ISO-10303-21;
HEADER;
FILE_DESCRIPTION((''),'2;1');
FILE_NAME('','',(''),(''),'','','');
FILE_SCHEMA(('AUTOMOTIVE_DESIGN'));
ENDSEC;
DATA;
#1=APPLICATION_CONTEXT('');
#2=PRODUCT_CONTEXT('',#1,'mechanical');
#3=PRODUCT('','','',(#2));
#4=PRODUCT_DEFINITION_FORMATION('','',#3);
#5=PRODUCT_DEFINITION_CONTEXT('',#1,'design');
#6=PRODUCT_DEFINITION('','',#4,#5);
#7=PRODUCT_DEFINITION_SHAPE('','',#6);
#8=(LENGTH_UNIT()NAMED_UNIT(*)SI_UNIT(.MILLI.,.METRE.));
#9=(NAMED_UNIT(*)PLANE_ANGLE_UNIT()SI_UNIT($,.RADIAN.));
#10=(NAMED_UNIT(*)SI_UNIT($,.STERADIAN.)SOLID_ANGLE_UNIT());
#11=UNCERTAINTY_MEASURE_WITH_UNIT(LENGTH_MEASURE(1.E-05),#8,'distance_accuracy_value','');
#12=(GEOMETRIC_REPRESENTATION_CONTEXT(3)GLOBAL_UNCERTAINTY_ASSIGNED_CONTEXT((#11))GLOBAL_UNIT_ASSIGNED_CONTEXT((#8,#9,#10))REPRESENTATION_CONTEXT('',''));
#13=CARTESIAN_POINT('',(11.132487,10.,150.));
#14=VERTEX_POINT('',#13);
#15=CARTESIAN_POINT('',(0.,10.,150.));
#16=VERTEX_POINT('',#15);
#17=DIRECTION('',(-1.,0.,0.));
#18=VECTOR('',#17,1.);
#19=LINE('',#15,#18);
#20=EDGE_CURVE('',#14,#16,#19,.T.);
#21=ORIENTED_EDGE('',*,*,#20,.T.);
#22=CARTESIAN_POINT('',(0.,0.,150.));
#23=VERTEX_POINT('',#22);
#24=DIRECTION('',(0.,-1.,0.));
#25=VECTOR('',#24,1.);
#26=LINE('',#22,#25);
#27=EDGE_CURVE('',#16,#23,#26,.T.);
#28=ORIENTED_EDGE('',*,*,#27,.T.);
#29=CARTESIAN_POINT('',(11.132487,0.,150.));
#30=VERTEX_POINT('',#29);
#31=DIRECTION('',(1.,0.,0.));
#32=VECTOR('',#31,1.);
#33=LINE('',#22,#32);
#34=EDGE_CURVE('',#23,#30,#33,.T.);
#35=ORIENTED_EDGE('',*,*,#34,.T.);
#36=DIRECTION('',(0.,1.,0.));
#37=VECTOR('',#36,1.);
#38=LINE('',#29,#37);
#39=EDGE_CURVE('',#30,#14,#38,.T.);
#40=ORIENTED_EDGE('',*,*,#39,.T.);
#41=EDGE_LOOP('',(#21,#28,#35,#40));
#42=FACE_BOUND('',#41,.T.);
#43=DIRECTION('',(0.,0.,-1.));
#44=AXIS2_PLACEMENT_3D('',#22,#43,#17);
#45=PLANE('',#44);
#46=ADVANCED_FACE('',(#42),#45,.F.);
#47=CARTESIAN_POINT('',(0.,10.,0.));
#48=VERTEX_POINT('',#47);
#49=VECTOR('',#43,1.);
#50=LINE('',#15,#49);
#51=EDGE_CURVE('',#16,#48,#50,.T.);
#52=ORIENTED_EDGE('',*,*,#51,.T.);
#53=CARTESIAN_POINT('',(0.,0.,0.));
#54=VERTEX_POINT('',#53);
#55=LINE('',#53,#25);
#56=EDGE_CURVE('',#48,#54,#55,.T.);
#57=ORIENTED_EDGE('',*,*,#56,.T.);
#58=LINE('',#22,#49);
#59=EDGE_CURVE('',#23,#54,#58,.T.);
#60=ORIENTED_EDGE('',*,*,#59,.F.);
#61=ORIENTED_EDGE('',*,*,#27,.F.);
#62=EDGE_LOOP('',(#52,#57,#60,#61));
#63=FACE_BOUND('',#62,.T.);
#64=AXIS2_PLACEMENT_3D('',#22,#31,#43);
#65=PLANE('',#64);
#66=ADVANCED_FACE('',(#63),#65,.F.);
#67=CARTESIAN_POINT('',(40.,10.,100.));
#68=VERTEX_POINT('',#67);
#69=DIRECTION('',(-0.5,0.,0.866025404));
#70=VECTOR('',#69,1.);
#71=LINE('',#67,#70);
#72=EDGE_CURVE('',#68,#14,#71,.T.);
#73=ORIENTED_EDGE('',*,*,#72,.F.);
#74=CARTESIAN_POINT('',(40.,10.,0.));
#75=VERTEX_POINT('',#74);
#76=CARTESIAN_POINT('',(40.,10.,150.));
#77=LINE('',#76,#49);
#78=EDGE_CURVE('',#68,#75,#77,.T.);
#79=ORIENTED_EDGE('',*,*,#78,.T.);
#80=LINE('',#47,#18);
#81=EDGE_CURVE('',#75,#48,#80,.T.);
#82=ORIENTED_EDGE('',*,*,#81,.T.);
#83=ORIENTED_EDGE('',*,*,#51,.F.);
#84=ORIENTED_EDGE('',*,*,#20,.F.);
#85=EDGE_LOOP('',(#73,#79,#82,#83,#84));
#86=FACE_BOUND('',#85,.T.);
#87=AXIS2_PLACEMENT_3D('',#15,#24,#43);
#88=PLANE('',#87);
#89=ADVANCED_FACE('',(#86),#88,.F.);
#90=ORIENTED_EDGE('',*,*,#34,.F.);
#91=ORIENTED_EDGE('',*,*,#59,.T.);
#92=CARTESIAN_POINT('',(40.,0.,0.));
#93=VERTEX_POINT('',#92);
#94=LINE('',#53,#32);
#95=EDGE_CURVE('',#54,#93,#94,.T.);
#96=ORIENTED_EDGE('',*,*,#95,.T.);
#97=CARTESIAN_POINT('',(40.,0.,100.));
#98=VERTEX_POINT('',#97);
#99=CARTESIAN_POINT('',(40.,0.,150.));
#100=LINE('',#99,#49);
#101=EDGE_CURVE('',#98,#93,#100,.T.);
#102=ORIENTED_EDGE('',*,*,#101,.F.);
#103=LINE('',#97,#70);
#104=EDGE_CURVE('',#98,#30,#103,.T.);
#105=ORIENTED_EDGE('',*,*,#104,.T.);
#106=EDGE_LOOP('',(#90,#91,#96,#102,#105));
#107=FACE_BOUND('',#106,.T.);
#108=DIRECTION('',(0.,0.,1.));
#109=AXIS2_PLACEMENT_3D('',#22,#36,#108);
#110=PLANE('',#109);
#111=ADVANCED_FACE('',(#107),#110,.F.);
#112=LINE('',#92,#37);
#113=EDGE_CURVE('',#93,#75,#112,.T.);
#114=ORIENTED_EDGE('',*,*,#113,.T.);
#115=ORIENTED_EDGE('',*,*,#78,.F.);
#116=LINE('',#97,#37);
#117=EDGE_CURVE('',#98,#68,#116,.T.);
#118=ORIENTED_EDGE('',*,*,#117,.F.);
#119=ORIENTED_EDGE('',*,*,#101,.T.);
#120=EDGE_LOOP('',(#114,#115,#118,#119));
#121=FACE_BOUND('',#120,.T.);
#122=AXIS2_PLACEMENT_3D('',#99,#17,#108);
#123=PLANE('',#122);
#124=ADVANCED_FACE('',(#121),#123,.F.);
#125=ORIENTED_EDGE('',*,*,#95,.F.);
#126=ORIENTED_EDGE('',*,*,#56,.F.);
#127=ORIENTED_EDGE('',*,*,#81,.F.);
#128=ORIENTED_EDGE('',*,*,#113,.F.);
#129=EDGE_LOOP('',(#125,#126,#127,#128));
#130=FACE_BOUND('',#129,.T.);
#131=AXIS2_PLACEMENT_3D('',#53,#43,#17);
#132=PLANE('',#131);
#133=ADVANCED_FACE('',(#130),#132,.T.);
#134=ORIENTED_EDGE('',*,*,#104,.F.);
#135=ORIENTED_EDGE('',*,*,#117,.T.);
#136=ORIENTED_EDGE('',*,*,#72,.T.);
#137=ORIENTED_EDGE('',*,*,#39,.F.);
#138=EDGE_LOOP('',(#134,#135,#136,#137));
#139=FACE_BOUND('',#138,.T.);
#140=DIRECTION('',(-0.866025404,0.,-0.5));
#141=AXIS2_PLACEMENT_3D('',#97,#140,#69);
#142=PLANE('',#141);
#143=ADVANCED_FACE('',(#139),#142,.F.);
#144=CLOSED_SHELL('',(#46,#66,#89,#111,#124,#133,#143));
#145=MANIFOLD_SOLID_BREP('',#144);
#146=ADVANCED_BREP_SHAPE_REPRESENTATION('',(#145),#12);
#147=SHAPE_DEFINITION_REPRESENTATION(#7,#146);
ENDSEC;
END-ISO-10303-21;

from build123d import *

# Parameters (mm, degrees)
SKICA1_W                 = 40
SKICA1_H                 = 10
P_IDAT_VYSUNUT_M1_DEPTH  = 150
ODEBRAT_VYSUNUT_M1_DEPTH = 156.563491861


with BuildPart() as part:
    # Skica1 → Přidat vysunutím1 (new body)
    with BuildSketch(Plane.XY):
        with Locations((20, 5)):
            Rectangle(SKICA1_W, SKICA1_H)
    extrude(amount=P_IDAT_VYSUNUT_M1_DEPTH)

    # Skica5 → Odebrat vysunutím1 (cut, through all)
    with BuildSketch(Plane(origin=(0, 10, 0), x_dir=(1, 0, 0), z_dir=(0, 1, 0))):
        Polygon((40, -150), (40, -100), (11.132486541, -150), align=None)
    extrude(amount=-ODEBRAT_VYSUNUT_M1_DEPTH, mode=Mode.SUBTRACT)


solid = part.part
